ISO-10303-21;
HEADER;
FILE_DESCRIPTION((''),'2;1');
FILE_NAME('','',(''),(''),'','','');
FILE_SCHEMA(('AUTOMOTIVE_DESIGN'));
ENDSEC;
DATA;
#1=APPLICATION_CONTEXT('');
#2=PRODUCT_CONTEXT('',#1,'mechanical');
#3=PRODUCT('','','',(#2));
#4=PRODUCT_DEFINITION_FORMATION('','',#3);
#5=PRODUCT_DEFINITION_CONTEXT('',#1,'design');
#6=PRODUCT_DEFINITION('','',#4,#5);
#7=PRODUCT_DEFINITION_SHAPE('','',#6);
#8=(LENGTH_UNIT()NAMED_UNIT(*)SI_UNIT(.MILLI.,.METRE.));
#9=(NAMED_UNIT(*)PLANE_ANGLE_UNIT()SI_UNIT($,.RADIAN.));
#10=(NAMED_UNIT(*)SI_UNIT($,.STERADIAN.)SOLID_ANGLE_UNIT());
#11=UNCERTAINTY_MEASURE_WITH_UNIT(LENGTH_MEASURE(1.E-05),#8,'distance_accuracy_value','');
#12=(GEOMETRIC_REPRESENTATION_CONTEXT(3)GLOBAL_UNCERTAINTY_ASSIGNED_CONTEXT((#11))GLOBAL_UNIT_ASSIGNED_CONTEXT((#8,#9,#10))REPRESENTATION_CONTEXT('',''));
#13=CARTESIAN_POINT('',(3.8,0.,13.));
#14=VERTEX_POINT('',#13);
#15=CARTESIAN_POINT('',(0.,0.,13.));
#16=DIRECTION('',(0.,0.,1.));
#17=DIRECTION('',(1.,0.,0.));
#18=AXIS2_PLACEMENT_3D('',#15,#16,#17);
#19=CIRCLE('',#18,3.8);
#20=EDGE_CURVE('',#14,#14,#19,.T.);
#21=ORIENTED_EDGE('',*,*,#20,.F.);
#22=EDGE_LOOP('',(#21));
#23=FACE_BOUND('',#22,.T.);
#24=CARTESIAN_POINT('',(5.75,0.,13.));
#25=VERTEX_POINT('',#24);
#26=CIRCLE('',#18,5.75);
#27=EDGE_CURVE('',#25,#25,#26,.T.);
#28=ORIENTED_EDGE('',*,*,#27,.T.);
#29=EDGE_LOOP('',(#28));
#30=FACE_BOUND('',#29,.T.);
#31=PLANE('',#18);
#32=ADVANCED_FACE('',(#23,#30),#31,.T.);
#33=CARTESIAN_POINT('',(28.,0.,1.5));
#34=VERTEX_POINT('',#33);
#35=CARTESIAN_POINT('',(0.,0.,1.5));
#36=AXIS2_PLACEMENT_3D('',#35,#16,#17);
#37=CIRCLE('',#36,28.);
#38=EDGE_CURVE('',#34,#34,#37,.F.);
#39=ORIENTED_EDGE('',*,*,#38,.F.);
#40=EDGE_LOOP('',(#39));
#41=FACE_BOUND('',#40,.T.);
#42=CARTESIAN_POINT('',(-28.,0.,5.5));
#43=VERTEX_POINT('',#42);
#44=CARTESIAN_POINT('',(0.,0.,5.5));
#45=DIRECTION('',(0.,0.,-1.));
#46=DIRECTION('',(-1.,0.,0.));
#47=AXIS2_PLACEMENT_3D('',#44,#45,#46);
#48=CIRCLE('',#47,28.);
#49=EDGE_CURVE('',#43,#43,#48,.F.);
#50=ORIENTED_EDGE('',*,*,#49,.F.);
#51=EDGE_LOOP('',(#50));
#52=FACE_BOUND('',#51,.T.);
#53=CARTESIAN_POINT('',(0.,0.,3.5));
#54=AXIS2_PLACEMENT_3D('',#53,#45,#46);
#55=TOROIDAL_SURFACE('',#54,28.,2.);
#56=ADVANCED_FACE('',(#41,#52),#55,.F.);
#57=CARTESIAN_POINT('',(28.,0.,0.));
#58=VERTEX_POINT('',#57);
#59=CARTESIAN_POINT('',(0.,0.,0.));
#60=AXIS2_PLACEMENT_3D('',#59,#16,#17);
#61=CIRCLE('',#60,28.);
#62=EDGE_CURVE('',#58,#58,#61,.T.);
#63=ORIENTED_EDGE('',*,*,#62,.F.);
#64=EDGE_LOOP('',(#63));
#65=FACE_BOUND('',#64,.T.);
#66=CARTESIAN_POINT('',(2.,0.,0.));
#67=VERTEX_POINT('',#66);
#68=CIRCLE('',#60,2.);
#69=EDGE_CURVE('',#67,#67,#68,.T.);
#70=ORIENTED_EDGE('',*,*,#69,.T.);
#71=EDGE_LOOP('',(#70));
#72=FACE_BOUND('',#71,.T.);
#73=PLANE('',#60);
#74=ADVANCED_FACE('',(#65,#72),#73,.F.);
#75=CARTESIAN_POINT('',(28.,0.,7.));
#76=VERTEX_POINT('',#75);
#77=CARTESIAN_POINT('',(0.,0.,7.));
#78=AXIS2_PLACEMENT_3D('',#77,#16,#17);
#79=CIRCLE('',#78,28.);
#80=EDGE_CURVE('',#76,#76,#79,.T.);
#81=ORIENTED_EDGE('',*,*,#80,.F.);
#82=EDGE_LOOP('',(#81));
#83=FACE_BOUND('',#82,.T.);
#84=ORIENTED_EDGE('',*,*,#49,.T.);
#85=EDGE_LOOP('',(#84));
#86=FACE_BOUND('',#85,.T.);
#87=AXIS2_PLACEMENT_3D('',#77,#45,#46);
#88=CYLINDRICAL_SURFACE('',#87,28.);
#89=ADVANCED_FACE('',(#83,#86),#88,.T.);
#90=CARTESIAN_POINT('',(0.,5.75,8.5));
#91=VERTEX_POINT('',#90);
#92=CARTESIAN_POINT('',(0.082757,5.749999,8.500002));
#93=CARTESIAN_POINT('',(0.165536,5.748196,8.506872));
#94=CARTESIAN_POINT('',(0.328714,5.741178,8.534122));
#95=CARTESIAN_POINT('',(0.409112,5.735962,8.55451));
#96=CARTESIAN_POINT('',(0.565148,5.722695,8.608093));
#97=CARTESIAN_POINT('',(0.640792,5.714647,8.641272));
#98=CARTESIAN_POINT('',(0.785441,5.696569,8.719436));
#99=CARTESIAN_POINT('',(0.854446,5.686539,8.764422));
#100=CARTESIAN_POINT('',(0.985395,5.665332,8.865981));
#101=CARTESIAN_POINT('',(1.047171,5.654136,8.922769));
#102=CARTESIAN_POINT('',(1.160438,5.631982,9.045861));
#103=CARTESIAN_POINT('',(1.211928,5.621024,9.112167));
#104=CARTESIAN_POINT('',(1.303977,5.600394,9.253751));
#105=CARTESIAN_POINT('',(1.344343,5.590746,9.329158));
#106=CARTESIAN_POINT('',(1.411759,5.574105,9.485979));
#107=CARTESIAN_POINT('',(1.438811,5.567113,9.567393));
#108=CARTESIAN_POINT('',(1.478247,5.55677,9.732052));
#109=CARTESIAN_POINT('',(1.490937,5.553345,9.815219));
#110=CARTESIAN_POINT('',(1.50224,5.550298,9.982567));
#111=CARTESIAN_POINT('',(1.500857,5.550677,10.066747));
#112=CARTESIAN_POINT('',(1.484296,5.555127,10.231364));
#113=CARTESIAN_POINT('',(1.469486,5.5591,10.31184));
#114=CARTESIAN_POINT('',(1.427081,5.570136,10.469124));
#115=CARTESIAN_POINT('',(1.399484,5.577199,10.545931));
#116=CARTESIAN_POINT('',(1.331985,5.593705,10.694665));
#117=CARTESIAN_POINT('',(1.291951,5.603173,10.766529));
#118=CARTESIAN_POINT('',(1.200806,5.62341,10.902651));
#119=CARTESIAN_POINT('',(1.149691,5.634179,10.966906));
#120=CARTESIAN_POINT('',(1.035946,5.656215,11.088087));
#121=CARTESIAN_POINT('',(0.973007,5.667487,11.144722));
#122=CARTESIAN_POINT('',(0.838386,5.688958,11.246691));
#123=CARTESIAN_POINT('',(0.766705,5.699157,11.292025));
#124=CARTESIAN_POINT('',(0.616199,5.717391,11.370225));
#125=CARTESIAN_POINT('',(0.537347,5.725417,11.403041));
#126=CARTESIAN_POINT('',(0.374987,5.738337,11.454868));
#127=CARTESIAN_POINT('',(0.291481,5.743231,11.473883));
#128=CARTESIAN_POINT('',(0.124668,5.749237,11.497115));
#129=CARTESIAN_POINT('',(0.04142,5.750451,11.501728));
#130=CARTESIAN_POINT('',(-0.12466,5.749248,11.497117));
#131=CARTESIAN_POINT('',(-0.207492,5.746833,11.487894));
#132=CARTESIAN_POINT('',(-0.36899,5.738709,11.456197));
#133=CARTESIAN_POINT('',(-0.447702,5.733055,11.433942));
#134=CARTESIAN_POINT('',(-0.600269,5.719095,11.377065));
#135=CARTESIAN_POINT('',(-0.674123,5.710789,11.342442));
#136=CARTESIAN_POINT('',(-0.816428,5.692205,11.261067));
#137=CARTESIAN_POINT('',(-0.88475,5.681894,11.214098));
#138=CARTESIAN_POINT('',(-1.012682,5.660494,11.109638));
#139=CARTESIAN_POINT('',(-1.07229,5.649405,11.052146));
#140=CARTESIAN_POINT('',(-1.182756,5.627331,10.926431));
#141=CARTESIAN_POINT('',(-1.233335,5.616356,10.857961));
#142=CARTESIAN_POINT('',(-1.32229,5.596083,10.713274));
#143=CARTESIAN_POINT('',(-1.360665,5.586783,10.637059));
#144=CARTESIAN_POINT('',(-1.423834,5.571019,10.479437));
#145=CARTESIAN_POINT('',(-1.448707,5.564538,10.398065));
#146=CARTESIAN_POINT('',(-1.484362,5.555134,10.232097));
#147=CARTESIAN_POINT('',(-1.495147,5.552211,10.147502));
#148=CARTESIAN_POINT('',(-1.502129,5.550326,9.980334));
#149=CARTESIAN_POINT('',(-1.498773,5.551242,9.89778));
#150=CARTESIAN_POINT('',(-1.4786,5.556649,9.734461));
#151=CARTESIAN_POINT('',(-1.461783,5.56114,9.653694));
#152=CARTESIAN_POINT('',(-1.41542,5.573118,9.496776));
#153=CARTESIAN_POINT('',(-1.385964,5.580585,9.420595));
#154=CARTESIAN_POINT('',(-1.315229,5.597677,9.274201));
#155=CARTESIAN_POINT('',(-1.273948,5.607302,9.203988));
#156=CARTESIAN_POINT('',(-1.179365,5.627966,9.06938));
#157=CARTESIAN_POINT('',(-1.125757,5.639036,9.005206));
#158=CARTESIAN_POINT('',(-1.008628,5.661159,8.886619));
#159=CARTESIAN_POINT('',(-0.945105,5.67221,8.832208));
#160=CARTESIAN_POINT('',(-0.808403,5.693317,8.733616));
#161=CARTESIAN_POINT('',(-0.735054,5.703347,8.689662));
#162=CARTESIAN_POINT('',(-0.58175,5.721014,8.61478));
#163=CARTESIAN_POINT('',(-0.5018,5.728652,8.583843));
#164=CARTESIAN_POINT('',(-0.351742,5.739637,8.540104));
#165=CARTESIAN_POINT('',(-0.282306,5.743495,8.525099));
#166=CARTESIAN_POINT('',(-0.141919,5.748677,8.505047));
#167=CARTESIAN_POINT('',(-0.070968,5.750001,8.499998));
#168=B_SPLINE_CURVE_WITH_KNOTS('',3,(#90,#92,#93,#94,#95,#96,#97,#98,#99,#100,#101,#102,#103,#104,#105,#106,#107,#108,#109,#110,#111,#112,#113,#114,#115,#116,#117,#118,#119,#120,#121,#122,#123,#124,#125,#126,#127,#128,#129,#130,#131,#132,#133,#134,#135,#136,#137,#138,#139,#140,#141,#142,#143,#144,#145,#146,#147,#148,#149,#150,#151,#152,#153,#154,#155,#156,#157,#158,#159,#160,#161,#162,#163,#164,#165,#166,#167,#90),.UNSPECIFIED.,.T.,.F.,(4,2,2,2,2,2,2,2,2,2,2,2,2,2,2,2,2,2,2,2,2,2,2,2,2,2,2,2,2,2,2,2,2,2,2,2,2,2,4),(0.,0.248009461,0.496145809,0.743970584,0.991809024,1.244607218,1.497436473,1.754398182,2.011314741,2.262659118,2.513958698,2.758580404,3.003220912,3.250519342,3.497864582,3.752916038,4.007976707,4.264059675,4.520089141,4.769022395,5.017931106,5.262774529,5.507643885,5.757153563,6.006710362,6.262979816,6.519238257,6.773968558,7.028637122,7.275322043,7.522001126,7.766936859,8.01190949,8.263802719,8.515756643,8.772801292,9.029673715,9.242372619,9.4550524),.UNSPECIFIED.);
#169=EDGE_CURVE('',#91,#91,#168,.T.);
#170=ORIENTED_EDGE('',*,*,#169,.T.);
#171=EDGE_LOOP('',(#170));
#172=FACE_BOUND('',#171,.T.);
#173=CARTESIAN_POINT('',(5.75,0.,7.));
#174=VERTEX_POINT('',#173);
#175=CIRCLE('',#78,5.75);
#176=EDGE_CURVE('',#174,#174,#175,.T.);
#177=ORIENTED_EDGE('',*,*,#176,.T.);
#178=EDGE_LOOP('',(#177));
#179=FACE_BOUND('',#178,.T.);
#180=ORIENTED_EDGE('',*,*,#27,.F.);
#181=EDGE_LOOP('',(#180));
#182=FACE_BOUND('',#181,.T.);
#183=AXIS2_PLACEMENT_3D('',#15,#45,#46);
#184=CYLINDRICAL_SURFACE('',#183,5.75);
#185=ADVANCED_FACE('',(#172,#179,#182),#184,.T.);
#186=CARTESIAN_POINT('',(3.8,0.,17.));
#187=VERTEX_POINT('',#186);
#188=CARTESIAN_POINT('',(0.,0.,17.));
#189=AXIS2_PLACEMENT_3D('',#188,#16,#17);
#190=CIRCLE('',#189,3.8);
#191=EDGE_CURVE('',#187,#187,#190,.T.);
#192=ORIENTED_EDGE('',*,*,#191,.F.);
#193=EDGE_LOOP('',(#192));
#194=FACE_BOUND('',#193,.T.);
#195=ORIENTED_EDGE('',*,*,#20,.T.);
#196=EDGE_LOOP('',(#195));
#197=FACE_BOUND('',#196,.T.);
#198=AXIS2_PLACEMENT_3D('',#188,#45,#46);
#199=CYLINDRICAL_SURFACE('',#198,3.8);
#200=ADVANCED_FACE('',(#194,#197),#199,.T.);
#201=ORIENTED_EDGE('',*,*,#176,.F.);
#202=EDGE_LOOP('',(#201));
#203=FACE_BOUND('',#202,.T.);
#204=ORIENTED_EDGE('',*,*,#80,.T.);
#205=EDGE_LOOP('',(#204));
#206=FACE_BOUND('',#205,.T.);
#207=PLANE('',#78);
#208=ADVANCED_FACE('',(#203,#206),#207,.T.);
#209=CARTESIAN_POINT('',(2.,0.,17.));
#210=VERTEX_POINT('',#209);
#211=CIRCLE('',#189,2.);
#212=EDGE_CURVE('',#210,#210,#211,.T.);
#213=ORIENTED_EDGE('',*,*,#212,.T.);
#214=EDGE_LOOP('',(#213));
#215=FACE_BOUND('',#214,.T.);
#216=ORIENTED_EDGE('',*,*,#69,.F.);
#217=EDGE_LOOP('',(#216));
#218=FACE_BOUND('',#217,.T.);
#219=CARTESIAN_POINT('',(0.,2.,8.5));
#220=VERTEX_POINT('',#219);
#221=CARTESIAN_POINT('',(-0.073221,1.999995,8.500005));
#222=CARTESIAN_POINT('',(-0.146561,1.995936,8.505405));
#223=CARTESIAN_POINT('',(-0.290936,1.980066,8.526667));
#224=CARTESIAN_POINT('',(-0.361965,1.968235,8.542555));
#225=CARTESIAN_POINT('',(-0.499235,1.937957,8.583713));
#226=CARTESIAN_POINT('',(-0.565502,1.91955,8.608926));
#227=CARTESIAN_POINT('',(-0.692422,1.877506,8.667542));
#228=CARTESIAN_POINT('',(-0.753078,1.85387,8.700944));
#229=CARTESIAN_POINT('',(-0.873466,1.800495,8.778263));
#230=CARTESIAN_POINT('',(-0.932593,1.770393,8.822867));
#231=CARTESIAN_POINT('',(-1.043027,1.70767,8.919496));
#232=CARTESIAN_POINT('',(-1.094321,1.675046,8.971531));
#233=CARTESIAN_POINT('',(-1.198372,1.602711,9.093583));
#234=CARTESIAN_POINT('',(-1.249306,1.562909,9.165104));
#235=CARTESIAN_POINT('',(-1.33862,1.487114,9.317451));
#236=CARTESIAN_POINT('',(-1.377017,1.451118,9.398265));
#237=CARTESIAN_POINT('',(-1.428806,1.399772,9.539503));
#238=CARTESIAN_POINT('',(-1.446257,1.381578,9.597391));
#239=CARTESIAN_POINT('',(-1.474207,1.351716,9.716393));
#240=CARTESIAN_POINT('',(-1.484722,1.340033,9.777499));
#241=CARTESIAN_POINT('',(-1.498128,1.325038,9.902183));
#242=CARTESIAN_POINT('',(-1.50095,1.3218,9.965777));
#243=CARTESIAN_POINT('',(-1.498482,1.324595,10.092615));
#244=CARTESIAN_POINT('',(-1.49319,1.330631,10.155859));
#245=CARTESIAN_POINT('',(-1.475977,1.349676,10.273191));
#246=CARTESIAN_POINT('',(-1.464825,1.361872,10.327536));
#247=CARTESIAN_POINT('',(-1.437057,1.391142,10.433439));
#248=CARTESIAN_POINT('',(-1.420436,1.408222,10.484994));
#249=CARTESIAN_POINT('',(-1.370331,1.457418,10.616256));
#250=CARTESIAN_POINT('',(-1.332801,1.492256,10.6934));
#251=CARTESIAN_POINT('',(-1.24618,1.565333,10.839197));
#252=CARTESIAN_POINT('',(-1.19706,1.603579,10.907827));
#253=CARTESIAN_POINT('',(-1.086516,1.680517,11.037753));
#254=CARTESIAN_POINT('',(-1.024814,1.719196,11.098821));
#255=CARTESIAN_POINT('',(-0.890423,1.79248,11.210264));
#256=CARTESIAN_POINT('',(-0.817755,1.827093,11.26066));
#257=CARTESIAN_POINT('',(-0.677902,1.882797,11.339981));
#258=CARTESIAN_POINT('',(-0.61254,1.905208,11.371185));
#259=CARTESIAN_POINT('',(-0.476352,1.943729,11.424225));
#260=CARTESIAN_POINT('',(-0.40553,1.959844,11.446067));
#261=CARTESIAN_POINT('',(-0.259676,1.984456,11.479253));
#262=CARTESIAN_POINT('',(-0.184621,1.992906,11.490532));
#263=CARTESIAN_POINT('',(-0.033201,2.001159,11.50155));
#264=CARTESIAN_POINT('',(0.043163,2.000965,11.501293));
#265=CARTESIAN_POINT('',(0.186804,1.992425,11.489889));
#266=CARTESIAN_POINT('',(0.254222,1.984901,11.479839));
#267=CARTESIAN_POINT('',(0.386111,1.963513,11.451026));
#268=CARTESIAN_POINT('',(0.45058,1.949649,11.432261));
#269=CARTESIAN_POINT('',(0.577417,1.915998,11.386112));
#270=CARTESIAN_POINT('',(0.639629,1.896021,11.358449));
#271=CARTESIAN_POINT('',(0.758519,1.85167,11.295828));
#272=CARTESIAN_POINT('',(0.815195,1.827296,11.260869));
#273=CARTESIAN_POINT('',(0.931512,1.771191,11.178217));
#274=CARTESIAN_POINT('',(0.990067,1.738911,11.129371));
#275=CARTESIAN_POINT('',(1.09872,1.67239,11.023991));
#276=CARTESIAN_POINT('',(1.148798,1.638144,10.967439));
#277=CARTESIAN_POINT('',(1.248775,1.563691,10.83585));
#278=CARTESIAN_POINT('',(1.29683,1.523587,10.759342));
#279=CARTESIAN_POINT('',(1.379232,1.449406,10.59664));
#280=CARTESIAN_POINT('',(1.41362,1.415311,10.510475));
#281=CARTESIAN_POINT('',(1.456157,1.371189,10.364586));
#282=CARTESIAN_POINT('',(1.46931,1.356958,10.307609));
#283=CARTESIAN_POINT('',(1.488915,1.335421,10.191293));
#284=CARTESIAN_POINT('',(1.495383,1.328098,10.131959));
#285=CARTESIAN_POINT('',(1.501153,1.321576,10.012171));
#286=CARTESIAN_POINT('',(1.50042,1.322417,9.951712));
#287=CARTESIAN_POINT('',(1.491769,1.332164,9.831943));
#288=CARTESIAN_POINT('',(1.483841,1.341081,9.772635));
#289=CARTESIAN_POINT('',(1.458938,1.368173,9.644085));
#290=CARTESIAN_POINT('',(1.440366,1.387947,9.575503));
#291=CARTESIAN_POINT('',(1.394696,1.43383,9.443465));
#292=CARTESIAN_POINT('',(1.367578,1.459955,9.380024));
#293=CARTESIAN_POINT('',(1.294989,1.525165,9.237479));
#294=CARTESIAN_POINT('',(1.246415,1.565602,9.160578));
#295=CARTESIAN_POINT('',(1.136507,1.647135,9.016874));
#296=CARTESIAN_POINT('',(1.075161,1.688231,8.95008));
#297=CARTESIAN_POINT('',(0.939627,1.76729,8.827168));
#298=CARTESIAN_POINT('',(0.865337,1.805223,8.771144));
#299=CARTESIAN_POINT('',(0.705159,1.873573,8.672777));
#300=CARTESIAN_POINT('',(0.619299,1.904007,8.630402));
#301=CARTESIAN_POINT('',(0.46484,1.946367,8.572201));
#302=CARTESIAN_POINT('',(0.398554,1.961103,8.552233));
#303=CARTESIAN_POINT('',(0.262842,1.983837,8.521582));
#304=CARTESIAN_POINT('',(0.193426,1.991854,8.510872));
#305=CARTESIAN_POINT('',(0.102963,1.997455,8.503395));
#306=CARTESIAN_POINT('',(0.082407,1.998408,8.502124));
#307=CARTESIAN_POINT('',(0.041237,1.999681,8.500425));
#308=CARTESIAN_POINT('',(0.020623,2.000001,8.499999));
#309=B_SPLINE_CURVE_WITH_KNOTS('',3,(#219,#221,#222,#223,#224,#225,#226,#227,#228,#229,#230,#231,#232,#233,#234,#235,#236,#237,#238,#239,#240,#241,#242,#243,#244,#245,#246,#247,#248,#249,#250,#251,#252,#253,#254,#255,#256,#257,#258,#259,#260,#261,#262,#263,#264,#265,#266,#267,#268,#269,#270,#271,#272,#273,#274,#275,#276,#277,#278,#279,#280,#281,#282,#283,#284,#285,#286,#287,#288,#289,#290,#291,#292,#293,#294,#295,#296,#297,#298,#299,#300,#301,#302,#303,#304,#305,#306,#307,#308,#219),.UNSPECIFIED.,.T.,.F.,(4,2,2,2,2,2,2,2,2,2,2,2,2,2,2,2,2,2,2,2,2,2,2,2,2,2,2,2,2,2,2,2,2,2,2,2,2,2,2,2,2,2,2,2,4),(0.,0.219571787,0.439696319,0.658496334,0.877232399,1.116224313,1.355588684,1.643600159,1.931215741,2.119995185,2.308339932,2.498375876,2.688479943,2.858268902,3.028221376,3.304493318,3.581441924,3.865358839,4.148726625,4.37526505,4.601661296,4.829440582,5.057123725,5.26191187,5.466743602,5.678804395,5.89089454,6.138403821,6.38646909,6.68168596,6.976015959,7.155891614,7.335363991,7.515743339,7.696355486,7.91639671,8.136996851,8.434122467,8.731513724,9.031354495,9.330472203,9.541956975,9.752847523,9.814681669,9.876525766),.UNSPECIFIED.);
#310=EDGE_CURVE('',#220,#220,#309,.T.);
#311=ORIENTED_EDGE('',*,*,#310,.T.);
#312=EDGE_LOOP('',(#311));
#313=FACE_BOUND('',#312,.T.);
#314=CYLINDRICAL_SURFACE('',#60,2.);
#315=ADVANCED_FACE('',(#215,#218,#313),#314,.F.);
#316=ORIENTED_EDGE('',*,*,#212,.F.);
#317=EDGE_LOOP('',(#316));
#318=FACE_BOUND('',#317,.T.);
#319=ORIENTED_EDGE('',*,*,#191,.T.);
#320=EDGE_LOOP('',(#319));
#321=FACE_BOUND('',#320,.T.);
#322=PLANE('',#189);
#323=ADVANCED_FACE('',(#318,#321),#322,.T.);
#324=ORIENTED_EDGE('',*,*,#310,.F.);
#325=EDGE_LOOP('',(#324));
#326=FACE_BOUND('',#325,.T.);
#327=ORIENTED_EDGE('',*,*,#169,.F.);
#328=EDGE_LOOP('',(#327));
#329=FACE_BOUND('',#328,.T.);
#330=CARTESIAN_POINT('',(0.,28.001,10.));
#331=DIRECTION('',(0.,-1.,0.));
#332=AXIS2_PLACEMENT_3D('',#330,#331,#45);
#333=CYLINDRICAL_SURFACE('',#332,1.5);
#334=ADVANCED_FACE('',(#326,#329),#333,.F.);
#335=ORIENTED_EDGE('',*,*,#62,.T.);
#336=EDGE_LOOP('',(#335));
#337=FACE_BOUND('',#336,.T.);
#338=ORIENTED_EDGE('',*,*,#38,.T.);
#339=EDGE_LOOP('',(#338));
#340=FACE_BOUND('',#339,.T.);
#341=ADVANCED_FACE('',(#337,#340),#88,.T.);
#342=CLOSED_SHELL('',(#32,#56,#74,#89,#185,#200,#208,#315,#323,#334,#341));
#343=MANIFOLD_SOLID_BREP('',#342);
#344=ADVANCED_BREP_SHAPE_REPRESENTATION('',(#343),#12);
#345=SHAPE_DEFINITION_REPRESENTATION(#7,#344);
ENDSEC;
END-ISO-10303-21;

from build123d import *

# Parameters (mm, degrees)
ESQUISSE1_R             = 28
BOSS_EXTRU_1_DEPTH      = 7
ESQUISSE2_R             = 3.8
BOSS_EXTRU_2_DEPTH      = 10
ESQUISSE3_R             = 2
ENL_V_MAT_EXTRU_1_DEPTH = 18
ESQUISSE4_R             = 2
ESQUISSE5_R             = 5.75
ESQUISSE5_R_2           = 3.8
BOSS_EXTRU_3_DEPTH      = 6
ENL_V_MAT_EXTRU_2_REACH = 30
ESQUISSE6_R             = 1.5


with BuildPart() as part:
    # Esquisse1 → Boss.-Extru.1 (new body)
    with BuildSketch(Plane.XY):
        Circle(ESQUISSE1_R)
    extrude(amount=BOSS_EXTRU_1_DEPTH)

    # Esquisse2 → Boss.-Extru.2 (add)
    with BuildSketch(Plane.XY.offset(7)):
        Circle(ESQUISSE2_R)
    extrude(amount=BOSS_EXTRU_2_DEPTH)

    # Esquisse3 → Enlèv. mat.-Extru.1 (cut, through all)
    with BuildSketch(Plane.XY.offset(17)):
        Circle(ESQUISSE3_R)
    extrude(amount=-ENL_V_MAT_EXTRU_1_DEPTH, mode=Mode.SUBTRACT)

    # Esquisse4 → Enlèvement de matière-Révolution1 (revolve, cut)
    with BuildSketch(Plane(origin=(0, 0, 0), x_dir=(0, 0, -1), z_dir=(1, 0, 0))):
        with Locations((-3.5, 28)):
            Circle(ESQUISSE4_R)
    revolve(axis=Axis((0, 0, 0), (0, 0, 1)), mode=Mode.SUBTRACT)

    # Esquisse5 → Boss.-Extru.3 (add)
    with BuildSketch(Plane.XY.offset(7)):
        Circle(ESQUISSE5_R)
        Circle(ESQUISSE5_R_2, mode=Mode.SUBTRACT)
    extrude(amount=BOSS_EXTRU_3_DEPTH)

    # Esquisse6 → Enlèv. mat.-Extru.2 (cut, up to next)
    with BuildSketch(Plane(origin=(0, 0, 0), x_dir=(1, 0, 0), z_dir=(0, 1, 0)), mode=Mode.PRIVATE) as enl_v_mat_extru_2_sk1:
        with Locations((0, -10)):
            Circle(ESQUISSE6_R)
    enl_v_mat_extru_2_tool1 = extrude(enl_v_mat_extru_2_sk1.sketch, amount=ENL_V_MAT_EXTRU_2_REACH, mode=Mode.PRIVATE) & part.part
    add(enl_v_mat_extru_2_tool1.solids().sort_by_distance((0, 0, 10))[0], mode=Mode.SUBTRACT)


solid = part.part
